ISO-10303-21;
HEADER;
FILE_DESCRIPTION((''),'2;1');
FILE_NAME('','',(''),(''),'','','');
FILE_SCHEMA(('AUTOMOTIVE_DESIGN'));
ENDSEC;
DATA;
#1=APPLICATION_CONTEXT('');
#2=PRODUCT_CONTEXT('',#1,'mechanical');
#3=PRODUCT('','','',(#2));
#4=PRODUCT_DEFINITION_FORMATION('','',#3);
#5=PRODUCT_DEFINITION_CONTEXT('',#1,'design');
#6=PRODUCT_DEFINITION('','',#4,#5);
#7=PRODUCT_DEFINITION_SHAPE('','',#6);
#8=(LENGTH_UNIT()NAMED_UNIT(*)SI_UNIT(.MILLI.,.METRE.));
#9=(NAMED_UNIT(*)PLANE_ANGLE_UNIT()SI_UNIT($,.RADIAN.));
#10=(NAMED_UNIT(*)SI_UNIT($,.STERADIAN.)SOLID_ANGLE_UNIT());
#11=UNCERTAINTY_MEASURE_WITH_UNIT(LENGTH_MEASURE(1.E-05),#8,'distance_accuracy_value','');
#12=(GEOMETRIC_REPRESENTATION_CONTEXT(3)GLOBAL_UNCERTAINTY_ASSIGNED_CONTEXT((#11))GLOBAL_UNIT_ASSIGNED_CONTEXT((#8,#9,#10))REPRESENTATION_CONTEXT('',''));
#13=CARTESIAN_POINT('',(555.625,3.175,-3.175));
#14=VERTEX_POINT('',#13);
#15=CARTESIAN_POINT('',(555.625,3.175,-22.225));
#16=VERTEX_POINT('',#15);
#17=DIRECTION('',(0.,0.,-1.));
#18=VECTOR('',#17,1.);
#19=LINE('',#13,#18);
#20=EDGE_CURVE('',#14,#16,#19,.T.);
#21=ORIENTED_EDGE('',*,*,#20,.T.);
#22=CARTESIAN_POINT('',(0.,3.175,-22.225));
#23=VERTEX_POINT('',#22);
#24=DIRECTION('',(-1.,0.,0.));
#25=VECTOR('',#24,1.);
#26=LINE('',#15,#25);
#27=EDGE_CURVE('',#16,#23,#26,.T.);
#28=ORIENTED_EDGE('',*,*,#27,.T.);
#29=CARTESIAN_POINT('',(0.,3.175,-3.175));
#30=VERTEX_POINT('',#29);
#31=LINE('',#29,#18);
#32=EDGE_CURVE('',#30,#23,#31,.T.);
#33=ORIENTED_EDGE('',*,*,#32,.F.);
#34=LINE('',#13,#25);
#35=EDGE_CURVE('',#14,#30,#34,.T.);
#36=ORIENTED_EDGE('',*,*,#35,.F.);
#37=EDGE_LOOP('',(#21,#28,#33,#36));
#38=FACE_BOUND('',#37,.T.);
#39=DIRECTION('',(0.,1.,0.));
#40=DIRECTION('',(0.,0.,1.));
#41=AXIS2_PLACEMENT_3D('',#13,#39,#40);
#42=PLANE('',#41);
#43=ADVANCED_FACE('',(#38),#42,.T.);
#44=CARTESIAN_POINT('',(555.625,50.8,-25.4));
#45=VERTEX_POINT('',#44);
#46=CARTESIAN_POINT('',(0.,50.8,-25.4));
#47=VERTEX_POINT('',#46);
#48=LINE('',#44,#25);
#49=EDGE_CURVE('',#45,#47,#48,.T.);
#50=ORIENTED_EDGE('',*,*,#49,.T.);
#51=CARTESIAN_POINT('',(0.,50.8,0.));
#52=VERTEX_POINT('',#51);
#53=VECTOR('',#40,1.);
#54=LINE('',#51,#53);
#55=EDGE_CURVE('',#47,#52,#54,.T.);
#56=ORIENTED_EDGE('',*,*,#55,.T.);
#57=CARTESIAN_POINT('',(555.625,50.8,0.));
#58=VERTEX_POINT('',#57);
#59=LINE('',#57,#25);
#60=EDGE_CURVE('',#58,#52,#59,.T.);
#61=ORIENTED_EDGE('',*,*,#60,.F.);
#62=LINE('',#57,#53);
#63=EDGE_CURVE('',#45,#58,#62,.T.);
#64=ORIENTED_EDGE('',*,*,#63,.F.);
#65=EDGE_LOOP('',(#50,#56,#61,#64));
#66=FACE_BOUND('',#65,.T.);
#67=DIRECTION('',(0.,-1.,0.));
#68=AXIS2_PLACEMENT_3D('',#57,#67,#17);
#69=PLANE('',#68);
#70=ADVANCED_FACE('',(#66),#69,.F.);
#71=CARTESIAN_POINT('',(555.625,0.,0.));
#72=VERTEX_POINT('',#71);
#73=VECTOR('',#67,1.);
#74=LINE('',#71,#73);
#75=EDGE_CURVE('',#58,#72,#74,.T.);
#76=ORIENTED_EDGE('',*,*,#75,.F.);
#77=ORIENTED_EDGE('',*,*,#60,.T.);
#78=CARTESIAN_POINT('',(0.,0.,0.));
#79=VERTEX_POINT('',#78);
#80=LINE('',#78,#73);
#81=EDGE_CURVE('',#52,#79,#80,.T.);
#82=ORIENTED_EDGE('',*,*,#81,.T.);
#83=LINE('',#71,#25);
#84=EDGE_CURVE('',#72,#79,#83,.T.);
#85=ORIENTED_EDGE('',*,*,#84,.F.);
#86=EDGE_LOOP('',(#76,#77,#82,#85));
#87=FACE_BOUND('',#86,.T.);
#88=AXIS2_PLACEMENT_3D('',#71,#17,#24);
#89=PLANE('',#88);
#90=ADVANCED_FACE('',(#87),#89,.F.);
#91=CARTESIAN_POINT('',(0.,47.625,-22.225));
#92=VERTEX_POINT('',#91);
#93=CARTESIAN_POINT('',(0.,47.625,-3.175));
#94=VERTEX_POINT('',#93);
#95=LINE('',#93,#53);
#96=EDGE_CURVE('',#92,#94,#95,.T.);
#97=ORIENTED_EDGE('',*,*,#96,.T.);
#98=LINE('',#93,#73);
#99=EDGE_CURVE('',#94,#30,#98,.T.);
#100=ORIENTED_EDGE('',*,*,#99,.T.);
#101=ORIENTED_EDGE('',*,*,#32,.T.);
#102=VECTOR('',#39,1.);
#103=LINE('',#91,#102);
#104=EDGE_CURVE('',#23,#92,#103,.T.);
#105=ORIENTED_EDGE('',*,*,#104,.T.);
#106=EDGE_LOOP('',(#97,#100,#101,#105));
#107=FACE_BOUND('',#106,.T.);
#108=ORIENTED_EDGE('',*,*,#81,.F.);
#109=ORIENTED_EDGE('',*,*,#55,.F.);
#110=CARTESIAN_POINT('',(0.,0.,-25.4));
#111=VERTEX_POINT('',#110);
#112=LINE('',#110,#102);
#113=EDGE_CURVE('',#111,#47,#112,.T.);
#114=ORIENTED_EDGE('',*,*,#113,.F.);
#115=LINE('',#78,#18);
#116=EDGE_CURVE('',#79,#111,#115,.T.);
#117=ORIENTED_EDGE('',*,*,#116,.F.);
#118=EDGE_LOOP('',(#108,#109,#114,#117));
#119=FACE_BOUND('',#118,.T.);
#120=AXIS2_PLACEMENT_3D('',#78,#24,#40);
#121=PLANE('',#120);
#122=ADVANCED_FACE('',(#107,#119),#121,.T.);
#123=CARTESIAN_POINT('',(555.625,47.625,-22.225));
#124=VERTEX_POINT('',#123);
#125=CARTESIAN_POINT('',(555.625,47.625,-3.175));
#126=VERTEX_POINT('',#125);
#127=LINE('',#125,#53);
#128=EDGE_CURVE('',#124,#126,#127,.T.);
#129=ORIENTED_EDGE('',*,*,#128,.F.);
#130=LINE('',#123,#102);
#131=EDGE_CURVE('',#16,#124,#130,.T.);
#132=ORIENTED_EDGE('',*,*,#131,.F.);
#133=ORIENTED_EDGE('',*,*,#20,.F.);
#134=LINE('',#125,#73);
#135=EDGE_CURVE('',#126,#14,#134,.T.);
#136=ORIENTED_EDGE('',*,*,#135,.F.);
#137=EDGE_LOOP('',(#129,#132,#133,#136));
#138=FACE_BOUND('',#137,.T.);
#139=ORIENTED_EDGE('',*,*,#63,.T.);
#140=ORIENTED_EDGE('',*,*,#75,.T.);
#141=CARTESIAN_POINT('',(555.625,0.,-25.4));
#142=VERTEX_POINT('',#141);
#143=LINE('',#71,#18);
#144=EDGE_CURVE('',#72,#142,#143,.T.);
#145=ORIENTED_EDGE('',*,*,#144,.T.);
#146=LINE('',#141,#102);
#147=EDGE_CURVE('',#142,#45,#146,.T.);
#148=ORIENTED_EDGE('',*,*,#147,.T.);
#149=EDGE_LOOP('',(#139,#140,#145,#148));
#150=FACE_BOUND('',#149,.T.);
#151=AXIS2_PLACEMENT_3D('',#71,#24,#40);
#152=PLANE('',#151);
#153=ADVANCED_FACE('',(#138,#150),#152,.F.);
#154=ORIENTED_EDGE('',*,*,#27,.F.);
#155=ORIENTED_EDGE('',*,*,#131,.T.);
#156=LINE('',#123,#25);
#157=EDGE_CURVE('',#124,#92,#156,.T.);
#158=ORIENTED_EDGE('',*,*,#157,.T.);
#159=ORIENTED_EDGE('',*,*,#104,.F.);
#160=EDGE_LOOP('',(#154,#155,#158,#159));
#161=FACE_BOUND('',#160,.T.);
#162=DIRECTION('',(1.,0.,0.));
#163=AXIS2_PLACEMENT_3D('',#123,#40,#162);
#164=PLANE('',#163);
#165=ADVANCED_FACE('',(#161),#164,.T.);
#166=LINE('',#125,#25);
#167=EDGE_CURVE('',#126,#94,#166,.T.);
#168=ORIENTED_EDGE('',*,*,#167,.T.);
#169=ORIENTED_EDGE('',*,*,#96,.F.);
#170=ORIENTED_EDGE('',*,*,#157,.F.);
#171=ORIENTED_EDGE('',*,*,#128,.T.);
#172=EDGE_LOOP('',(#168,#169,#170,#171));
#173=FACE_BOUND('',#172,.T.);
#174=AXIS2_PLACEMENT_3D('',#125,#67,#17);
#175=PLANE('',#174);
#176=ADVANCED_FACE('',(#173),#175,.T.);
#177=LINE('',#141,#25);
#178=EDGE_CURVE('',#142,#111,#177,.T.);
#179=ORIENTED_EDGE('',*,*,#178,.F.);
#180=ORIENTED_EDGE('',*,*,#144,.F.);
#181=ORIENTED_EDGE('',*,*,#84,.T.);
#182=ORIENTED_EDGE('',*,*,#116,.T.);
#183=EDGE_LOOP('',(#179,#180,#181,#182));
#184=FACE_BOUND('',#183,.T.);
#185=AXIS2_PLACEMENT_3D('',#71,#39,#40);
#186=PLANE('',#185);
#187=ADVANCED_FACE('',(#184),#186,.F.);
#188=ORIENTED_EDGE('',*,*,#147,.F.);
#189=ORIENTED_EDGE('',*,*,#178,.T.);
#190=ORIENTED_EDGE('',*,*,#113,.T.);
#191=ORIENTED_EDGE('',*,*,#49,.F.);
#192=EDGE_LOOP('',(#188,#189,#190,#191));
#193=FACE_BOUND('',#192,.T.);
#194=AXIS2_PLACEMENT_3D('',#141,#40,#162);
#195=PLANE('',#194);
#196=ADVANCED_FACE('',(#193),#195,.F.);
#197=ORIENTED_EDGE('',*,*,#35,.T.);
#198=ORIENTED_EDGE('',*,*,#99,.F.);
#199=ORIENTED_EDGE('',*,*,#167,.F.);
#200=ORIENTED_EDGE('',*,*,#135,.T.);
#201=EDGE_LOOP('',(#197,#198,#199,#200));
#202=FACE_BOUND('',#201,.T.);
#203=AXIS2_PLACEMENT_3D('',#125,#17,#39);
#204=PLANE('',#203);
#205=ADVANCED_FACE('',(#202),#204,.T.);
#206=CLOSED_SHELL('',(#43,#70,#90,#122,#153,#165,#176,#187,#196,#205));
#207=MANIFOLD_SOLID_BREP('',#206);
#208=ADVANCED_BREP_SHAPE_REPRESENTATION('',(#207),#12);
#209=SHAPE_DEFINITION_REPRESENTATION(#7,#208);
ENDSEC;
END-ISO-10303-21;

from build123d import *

# Parameters (mm, degrees)
SKETCH1_W           = 25.4
SKETCH1_H           = 50.8
SKETCH1_W_2         = 19.05
SKETCH1_H_2         = 44.45
BOSS_EXTRUDE1_DEPTH = 555.625


with BuildPart() as part:
    # Sketch1 → Boss-Extrude1 (new body)
    with BuildSketch(Plane(origin=(0, 0, 0), x_dir=(0, 0, -1), z_dir=(1, 0, 0))):
        with Locations((12.7, 25.4)):
            Rectangle(SKETCH1_W, SKETCH1_H)
        with Locations((12.7, 25.4)):
            Rectangle(SKETCH1_W_2, SKETCH1_H_2, mode=Mode.SUBTRACT)
    extrude(amount=BOSS_EXTRUDE1_DEPTH)


solid = part.part
